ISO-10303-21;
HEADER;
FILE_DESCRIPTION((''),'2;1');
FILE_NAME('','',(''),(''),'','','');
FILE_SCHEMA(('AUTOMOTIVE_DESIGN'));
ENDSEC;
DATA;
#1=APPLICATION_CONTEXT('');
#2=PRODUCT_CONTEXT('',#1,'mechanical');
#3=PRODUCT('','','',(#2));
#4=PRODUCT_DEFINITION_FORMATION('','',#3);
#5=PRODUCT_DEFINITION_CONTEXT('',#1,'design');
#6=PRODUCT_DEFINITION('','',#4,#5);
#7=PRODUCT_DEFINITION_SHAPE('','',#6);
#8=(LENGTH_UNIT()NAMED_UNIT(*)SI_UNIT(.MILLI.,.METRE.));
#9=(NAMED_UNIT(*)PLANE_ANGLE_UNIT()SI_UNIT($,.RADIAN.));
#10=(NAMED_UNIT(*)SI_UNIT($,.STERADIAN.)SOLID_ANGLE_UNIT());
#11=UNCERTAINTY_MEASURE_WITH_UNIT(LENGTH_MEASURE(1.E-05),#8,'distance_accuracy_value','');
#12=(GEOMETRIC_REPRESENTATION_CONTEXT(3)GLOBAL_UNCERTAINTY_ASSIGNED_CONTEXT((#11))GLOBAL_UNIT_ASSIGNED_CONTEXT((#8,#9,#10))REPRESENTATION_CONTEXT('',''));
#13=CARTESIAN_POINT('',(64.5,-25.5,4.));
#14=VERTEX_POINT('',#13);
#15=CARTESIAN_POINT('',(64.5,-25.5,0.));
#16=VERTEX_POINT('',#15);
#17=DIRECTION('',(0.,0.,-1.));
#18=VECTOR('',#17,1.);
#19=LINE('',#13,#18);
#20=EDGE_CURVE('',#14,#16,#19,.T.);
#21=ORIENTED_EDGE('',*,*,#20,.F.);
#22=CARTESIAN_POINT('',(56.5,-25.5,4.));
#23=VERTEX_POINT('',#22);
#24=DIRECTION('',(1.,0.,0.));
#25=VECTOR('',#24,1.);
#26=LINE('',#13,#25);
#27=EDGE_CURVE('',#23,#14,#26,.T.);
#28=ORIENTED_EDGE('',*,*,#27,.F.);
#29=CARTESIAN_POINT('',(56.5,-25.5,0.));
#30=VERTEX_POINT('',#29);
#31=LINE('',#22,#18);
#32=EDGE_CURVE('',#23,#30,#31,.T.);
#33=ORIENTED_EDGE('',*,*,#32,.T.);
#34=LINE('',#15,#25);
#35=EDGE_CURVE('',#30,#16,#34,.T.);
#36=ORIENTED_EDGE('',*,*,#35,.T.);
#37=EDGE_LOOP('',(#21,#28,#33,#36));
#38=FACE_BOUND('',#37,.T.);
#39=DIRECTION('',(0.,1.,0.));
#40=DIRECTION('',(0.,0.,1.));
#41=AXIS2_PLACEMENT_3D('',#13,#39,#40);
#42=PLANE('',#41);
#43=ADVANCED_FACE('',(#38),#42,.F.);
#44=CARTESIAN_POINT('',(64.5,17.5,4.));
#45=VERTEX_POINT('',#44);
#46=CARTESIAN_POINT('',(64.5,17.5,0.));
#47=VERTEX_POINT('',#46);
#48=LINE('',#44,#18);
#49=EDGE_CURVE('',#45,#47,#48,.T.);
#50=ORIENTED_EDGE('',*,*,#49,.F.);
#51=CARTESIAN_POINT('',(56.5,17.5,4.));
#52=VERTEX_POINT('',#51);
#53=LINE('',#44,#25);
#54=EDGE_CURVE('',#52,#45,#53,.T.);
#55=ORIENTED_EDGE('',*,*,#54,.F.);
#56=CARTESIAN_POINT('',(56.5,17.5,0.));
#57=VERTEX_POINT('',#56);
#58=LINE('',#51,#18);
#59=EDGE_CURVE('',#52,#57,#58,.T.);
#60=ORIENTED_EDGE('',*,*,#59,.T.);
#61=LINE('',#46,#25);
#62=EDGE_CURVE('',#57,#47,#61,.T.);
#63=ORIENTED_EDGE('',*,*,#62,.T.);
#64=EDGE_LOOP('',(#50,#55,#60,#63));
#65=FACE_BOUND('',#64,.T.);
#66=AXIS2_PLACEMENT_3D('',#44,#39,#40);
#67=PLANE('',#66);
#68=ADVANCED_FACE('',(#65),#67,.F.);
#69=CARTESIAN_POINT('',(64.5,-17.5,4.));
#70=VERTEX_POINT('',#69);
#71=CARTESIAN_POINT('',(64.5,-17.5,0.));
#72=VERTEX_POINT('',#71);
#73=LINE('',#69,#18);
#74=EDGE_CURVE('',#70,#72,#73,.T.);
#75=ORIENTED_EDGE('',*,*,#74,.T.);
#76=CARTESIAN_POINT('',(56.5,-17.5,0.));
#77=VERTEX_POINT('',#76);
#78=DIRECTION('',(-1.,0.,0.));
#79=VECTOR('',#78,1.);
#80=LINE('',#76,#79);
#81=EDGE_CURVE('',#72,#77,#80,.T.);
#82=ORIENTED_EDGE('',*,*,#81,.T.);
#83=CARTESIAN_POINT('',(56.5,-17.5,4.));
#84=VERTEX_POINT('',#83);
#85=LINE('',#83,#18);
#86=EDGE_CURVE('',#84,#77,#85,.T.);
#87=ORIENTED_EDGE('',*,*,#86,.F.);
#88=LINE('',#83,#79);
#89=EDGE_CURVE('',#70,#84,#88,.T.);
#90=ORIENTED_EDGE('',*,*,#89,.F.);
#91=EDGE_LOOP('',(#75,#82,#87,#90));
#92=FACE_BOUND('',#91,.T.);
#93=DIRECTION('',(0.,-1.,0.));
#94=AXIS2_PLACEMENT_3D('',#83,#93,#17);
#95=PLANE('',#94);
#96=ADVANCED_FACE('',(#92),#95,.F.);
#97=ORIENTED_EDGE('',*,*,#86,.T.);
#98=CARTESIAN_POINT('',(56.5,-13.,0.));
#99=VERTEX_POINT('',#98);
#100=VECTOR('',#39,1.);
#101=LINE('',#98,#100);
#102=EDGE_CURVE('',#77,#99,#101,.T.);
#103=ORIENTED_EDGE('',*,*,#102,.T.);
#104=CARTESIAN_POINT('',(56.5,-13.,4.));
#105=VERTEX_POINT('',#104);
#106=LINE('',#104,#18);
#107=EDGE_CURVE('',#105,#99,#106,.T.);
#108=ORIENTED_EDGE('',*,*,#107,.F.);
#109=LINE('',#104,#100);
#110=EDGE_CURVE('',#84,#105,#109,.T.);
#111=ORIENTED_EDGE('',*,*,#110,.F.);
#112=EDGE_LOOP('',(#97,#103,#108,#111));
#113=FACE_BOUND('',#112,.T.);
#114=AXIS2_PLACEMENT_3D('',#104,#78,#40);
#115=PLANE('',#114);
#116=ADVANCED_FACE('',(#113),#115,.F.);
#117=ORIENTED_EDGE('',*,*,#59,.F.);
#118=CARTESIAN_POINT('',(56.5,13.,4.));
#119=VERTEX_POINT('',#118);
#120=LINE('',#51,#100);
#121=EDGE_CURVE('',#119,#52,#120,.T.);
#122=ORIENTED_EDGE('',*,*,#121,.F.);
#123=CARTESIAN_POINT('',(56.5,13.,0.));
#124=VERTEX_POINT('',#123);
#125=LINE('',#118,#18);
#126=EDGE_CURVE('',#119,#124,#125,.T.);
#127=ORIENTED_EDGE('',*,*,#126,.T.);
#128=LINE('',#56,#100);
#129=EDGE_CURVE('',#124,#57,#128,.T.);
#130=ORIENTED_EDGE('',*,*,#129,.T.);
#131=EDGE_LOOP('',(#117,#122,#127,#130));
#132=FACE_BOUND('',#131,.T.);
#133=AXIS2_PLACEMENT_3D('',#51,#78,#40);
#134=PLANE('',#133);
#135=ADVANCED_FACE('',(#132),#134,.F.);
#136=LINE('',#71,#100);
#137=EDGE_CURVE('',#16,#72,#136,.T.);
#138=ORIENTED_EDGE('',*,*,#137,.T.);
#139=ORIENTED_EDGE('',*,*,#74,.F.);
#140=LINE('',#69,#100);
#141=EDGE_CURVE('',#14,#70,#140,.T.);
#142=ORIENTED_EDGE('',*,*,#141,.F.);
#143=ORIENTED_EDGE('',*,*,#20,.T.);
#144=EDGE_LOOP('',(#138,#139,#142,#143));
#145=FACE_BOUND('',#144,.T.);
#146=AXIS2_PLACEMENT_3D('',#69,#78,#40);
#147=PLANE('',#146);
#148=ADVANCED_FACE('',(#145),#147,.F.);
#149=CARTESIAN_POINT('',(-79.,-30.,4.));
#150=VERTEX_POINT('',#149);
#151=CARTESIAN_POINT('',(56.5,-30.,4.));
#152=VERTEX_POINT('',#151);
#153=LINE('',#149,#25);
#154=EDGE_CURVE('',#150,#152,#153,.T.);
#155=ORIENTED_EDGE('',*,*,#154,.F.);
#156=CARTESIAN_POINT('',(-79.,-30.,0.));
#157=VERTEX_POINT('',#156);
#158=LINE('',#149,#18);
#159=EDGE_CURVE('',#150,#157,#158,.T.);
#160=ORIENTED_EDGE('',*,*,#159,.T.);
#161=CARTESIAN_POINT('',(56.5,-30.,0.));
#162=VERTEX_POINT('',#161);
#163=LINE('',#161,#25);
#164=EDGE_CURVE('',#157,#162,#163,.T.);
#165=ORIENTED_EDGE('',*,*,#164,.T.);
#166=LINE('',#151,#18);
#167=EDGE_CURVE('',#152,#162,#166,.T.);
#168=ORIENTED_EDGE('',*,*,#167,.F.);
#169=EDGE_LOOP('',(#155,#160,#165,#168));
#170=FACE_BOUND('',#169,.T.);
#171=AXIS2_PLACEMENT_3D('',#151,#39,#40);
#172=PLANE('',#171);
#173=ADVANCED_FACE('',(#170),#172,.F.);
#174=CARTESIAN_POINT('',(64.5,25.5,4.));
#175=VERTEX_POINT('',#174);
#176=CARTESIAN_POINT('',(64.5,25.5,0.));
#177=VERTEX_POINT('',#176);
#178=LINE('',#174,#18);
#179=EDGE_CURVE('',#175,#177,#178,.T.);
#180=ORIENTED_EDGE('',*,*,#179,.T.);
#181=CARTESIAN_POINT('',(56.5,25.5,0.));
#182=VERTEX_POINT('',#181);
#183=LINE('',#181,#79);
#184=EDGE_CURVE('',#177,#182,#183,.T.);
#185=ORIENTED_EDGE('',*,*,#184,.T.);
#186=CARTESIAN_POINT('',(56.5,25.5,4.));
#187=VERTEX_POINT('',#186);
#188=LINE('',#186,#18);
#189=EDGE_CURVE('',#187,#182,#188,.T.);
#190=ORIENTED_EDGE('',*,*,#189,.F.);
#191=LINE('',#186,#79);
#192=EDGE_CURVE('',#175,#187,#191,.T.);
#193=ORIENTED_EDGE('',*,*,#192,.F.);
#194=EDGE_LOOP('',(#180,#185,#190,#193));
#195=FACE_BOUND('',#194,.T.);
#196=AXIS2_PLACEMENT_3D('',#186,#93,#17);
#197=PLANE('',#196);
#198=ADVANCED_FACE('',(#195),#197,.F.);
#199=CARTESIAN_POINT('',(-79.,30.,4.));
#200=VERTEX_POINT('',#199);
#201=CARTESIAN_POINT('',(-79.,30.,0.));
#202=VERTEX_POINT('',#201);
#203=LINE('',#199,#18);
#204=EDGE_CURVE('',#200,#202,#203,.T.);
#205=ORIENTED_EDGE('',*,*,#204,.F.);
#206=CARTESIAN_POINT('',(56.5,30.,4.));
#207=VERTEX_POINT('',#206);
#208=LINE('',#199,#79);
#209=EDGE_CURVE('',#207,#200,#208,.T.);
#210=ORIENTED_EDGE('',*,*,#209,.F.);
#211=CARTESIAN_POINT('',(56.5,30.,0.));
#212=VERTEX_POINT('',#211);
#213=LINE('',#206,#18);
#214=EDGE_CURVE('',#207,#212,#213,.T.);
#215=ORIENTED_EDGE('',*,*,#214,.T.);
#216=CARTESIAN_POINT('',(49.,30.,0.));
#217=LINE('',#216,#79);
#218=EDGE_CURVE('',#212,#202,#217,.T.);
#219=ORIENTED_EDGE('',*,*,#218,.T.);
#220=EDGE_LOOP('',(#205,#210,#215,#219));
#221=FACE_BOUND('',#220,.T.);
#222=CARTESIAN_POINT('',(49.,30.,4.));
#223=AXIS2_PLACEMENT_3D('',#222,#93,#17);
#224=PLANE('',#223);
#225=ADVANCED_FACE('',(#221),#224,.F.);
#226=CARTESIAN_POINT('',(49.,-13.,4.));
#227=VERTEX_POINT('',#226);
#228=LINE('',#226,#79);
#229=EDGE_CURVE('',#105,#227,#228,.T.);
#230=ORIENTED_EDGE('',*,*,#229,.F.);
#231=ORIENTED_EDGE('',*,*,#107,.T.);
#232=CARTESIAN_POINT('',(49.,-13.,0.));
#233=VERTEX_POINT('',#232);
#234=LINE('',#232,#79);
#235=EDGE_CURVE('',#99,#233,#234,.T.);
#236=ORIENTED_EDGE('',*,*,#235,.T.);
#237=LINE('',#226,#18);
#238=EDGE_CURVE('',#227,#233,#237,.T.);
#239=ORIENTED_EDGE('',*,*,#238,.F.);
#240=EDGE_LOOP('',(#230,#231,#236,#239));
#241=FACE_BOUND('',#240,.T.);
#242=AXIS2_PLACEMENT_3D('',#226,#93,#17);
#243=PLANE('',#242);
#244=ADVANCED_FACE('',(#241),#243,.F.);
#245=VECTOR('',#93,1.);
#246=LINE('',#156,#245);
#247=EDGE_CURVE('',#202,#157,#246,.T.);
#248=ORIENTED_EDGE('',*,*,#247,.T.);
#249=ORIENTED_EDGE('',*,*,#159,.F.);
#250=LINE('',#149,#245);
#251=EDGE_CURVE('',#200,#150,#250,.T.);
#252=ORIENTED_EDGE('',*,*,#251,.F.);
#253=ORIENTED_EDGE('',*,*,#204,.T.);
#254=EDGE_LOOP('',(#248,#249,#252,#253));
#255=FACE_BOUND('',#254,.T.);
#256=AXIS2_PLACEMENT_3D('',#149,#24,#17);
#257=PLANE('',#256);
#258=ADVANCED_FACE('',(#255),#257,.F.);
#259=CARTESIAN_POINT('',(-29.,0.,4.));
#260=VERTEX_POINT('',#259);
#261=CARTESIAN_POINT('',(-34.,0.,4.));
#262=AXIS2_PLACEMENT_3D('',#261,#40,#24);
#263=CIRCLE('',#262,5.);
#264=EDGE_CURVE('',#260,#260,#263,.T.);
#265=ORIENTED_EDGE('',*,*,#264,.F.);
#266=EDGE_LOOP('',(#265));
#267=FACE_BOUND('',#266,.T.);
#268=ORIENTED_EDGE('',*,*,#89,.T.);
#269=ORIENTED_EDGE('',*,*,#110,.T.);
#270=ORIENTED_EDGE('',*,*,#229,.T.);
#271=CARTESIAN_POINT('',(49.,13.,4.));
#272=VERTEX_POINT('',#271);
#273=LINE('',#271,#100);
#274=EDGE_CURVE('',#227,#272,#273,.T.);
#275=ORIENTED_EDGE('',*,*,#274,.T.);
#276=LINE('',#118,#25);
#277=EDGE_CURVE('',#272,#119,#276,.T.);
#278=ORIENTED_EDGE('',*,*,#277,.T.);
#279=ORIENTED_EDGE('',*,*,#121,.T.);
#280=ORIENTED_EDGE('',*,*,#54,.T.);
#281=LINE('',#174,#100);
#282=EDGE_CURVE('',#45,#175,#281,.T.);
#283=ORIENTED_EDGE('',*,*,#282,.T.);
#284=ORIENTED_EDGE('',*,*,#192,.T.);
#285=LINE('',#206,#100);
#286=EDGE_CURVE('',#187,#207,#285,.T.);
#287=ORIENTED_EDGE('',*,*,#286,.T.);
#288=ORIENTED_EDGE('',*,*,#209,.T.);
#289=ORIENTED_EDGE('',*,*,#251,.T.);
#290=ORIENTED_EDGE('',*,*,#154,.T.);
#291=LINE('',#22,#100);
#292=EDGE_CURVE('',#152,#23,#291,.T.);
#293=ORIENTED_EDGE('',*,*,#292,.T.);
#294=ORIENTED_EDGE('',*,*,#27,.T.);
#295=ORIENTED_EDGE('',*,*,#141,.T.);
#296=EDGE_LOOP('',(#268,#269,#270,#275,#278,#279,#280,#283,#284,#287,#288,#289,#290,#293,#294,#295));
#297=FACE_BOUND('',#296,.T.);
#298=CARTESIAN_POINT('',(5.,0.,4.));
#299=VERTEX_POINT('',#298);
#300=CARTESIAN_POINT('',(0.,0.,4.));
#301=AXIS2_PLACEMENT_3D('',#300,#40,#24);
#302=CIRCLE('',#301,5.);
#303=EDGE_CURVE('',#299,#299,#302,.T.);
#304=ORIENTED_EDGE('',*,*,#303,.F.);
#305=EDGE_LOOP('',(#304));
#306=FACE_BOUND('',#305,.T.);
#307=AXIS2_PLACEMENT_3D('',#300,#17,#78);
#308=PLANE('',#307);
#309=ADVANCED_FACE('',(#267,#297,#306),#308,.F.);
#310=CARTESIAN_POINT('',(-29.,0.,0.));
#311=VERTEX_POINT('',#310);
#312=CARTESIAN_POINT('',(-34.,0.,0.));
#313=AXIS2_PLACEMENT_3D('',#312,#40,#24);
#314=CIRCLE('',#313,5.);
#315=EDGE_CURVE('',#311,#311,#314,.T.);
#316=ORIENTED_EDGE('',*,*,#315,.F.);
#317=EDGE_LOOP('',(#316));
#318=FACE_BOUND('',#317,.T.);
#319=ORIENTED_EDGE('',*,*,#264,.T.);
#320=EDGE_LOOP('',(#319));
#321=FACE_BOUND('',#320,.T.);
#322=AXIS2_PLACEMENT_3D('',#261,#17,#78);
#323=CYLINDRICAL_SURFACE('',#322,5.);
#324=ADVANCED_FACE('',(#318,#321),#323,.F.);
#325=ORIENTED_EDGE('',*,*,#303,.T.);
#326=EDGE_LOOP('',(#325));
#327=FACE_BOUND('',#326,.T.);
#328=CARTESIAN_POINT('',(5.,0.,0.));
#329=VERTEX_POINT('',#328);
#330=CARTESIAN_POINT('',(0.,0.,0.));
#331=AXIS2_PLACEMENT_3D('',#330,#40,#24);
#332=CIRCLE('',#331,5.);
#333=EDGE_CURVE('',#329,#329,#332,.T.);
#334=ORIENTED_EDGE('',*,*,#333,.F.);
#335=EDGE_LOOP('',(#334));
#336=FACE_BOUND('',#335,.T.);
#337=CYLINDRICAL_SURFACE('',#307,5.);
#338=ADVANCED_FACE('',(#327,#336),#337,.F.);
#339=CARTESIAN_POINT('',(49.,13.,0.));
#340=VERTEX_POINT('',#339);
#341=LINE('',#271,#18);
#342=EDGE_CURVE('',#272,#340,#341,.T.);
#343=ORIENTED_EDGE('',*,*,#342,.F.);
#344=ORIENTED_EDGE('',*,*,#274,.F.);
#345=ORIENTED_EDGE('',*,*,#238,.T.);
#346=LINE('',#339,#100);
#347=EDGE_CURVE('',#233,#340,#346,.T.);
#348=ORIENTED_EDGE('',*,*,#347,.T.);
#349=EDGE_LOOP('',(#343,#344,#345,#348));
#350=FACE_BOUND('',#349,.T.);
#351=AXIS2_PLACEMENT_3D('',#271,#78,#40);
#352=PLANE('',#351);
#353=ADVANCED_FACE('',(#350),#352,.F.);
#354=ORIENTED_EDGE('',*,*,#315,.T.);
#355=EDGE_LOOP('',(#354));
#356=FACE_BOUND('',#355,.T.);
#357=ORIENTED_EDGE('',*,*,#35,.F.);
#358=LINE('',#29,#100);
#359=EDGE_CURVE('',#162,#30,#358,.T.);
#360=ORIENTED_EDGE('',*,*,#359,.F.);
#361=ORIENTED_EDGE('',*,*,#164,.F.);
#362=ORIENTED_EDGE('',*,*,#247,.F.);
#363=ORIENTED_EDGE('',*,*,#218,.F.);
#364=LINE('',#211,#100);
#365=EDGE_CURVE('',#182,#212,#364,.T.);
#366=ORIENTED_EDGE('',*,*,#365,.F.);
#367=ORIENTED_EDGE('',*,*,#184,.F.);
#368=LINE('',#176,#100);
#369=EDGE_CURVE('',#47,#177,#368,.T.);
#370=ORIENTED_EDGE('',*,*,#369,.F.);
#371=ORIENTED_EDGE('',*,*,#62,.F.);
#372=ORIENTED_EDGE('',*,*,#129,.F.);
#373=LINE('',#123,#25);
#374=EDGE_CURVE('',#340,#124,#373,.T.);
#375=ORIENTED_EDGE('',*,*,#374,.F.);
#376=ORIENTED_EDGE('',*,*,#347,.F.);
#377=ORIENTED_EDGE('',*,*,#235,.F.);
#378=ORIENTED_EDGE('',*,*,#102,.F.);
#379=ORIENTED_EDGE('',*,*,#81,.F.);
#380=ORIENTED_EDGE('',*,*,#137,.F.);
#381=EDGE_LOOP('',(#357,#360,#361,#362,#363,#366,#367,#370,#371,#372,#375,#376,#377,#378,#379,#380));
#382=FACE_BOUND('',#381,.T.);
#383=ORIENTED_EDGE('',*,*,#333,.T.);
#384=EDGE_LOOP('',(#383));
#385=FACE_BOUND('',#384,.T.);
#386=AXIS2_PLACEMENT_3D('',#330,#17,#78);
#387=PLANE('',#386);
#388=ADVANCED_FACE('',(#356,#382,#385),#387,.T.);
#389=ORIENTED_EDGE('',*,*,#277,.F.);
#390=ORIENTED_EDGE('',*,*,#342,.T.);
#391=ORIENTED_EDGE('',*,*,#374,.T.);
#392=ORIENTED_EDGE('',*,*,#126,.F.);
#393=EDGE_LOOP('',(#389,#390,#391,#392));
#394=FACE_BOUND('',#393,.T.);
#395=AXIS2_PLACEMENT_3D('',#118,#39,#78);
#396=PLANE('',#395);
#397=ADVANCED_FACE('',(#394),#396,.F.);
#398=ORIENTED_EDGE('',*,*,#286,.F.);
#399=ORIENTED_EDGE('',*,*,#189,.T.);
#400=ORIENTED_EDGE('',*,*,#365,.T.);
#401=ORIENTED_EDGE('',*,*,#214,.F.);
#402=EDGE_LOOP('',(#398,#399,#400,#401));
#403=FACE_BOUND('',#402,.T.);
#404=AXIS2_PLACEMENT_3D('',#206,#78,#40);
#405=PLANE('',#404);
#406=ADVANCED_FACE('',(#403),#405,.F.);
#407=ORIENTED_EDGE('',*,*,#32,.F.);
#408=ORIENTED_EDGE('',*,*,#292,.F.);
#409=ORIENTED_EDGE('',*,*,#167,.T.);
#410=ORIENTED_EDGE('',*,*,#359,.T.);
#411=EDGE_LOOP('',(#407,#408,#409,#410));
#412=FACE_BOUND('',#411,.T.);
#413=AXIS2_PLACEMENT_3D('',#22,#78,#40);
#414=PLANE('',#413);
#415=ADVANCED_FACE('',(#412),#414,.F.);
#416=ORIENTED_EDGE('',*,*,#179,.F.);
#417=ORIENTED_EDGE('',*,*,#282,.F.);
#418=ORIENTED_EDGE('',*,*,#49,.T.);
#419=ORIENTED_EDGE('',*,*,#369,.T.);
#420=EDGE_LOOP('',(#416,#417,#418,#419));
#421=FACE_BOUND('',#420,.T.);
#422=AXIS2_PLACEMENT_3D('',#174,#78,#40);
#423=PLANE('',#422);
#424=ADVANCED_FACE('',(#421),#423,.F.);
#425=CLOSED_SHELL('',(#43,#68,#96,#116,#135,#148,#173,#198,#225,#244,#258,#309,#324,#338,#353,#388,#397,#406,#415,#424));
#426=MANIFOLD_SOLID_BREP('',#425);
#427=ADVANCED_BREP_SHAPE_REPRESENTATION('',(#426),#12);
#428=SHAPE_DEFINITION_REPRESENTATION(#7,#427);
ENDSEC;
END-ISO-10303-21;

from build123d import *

# Parameters (mm, degrees)
SKETCH1_R           = 5
BOSS_EXTRUDE1_DEPTH = 4


with BuildPart() as part:
    # Sketch1 → Boss-Extrude1 (new body)
    with BuildSketch(Plane.XY):
        Polygon((49, 30), (56.5, 30), (56.5, 25.5), (64.5, 25.5), (64.5, 17.5), (56.5, 17.5), (56.5, 13), (49, 13), (49, -13), (56.5, -13), (56.5, -17.5), (64.5, -17.5), (64.5, -25.5), (56.5, -25.5), (56.5, -30), (49, -30), (-79, -30), (-79, 30), align=None)
        Circle(SKETCH1_R, mode=Mode.SUBTRACT)
        with Locations((-34, 0)):
            Circle(SKETCH1_R, mode=Mode.SUBTRACT)
    extrude(amount=BOSS_EXTRUDE1_DEPTH)


solid = part.part
